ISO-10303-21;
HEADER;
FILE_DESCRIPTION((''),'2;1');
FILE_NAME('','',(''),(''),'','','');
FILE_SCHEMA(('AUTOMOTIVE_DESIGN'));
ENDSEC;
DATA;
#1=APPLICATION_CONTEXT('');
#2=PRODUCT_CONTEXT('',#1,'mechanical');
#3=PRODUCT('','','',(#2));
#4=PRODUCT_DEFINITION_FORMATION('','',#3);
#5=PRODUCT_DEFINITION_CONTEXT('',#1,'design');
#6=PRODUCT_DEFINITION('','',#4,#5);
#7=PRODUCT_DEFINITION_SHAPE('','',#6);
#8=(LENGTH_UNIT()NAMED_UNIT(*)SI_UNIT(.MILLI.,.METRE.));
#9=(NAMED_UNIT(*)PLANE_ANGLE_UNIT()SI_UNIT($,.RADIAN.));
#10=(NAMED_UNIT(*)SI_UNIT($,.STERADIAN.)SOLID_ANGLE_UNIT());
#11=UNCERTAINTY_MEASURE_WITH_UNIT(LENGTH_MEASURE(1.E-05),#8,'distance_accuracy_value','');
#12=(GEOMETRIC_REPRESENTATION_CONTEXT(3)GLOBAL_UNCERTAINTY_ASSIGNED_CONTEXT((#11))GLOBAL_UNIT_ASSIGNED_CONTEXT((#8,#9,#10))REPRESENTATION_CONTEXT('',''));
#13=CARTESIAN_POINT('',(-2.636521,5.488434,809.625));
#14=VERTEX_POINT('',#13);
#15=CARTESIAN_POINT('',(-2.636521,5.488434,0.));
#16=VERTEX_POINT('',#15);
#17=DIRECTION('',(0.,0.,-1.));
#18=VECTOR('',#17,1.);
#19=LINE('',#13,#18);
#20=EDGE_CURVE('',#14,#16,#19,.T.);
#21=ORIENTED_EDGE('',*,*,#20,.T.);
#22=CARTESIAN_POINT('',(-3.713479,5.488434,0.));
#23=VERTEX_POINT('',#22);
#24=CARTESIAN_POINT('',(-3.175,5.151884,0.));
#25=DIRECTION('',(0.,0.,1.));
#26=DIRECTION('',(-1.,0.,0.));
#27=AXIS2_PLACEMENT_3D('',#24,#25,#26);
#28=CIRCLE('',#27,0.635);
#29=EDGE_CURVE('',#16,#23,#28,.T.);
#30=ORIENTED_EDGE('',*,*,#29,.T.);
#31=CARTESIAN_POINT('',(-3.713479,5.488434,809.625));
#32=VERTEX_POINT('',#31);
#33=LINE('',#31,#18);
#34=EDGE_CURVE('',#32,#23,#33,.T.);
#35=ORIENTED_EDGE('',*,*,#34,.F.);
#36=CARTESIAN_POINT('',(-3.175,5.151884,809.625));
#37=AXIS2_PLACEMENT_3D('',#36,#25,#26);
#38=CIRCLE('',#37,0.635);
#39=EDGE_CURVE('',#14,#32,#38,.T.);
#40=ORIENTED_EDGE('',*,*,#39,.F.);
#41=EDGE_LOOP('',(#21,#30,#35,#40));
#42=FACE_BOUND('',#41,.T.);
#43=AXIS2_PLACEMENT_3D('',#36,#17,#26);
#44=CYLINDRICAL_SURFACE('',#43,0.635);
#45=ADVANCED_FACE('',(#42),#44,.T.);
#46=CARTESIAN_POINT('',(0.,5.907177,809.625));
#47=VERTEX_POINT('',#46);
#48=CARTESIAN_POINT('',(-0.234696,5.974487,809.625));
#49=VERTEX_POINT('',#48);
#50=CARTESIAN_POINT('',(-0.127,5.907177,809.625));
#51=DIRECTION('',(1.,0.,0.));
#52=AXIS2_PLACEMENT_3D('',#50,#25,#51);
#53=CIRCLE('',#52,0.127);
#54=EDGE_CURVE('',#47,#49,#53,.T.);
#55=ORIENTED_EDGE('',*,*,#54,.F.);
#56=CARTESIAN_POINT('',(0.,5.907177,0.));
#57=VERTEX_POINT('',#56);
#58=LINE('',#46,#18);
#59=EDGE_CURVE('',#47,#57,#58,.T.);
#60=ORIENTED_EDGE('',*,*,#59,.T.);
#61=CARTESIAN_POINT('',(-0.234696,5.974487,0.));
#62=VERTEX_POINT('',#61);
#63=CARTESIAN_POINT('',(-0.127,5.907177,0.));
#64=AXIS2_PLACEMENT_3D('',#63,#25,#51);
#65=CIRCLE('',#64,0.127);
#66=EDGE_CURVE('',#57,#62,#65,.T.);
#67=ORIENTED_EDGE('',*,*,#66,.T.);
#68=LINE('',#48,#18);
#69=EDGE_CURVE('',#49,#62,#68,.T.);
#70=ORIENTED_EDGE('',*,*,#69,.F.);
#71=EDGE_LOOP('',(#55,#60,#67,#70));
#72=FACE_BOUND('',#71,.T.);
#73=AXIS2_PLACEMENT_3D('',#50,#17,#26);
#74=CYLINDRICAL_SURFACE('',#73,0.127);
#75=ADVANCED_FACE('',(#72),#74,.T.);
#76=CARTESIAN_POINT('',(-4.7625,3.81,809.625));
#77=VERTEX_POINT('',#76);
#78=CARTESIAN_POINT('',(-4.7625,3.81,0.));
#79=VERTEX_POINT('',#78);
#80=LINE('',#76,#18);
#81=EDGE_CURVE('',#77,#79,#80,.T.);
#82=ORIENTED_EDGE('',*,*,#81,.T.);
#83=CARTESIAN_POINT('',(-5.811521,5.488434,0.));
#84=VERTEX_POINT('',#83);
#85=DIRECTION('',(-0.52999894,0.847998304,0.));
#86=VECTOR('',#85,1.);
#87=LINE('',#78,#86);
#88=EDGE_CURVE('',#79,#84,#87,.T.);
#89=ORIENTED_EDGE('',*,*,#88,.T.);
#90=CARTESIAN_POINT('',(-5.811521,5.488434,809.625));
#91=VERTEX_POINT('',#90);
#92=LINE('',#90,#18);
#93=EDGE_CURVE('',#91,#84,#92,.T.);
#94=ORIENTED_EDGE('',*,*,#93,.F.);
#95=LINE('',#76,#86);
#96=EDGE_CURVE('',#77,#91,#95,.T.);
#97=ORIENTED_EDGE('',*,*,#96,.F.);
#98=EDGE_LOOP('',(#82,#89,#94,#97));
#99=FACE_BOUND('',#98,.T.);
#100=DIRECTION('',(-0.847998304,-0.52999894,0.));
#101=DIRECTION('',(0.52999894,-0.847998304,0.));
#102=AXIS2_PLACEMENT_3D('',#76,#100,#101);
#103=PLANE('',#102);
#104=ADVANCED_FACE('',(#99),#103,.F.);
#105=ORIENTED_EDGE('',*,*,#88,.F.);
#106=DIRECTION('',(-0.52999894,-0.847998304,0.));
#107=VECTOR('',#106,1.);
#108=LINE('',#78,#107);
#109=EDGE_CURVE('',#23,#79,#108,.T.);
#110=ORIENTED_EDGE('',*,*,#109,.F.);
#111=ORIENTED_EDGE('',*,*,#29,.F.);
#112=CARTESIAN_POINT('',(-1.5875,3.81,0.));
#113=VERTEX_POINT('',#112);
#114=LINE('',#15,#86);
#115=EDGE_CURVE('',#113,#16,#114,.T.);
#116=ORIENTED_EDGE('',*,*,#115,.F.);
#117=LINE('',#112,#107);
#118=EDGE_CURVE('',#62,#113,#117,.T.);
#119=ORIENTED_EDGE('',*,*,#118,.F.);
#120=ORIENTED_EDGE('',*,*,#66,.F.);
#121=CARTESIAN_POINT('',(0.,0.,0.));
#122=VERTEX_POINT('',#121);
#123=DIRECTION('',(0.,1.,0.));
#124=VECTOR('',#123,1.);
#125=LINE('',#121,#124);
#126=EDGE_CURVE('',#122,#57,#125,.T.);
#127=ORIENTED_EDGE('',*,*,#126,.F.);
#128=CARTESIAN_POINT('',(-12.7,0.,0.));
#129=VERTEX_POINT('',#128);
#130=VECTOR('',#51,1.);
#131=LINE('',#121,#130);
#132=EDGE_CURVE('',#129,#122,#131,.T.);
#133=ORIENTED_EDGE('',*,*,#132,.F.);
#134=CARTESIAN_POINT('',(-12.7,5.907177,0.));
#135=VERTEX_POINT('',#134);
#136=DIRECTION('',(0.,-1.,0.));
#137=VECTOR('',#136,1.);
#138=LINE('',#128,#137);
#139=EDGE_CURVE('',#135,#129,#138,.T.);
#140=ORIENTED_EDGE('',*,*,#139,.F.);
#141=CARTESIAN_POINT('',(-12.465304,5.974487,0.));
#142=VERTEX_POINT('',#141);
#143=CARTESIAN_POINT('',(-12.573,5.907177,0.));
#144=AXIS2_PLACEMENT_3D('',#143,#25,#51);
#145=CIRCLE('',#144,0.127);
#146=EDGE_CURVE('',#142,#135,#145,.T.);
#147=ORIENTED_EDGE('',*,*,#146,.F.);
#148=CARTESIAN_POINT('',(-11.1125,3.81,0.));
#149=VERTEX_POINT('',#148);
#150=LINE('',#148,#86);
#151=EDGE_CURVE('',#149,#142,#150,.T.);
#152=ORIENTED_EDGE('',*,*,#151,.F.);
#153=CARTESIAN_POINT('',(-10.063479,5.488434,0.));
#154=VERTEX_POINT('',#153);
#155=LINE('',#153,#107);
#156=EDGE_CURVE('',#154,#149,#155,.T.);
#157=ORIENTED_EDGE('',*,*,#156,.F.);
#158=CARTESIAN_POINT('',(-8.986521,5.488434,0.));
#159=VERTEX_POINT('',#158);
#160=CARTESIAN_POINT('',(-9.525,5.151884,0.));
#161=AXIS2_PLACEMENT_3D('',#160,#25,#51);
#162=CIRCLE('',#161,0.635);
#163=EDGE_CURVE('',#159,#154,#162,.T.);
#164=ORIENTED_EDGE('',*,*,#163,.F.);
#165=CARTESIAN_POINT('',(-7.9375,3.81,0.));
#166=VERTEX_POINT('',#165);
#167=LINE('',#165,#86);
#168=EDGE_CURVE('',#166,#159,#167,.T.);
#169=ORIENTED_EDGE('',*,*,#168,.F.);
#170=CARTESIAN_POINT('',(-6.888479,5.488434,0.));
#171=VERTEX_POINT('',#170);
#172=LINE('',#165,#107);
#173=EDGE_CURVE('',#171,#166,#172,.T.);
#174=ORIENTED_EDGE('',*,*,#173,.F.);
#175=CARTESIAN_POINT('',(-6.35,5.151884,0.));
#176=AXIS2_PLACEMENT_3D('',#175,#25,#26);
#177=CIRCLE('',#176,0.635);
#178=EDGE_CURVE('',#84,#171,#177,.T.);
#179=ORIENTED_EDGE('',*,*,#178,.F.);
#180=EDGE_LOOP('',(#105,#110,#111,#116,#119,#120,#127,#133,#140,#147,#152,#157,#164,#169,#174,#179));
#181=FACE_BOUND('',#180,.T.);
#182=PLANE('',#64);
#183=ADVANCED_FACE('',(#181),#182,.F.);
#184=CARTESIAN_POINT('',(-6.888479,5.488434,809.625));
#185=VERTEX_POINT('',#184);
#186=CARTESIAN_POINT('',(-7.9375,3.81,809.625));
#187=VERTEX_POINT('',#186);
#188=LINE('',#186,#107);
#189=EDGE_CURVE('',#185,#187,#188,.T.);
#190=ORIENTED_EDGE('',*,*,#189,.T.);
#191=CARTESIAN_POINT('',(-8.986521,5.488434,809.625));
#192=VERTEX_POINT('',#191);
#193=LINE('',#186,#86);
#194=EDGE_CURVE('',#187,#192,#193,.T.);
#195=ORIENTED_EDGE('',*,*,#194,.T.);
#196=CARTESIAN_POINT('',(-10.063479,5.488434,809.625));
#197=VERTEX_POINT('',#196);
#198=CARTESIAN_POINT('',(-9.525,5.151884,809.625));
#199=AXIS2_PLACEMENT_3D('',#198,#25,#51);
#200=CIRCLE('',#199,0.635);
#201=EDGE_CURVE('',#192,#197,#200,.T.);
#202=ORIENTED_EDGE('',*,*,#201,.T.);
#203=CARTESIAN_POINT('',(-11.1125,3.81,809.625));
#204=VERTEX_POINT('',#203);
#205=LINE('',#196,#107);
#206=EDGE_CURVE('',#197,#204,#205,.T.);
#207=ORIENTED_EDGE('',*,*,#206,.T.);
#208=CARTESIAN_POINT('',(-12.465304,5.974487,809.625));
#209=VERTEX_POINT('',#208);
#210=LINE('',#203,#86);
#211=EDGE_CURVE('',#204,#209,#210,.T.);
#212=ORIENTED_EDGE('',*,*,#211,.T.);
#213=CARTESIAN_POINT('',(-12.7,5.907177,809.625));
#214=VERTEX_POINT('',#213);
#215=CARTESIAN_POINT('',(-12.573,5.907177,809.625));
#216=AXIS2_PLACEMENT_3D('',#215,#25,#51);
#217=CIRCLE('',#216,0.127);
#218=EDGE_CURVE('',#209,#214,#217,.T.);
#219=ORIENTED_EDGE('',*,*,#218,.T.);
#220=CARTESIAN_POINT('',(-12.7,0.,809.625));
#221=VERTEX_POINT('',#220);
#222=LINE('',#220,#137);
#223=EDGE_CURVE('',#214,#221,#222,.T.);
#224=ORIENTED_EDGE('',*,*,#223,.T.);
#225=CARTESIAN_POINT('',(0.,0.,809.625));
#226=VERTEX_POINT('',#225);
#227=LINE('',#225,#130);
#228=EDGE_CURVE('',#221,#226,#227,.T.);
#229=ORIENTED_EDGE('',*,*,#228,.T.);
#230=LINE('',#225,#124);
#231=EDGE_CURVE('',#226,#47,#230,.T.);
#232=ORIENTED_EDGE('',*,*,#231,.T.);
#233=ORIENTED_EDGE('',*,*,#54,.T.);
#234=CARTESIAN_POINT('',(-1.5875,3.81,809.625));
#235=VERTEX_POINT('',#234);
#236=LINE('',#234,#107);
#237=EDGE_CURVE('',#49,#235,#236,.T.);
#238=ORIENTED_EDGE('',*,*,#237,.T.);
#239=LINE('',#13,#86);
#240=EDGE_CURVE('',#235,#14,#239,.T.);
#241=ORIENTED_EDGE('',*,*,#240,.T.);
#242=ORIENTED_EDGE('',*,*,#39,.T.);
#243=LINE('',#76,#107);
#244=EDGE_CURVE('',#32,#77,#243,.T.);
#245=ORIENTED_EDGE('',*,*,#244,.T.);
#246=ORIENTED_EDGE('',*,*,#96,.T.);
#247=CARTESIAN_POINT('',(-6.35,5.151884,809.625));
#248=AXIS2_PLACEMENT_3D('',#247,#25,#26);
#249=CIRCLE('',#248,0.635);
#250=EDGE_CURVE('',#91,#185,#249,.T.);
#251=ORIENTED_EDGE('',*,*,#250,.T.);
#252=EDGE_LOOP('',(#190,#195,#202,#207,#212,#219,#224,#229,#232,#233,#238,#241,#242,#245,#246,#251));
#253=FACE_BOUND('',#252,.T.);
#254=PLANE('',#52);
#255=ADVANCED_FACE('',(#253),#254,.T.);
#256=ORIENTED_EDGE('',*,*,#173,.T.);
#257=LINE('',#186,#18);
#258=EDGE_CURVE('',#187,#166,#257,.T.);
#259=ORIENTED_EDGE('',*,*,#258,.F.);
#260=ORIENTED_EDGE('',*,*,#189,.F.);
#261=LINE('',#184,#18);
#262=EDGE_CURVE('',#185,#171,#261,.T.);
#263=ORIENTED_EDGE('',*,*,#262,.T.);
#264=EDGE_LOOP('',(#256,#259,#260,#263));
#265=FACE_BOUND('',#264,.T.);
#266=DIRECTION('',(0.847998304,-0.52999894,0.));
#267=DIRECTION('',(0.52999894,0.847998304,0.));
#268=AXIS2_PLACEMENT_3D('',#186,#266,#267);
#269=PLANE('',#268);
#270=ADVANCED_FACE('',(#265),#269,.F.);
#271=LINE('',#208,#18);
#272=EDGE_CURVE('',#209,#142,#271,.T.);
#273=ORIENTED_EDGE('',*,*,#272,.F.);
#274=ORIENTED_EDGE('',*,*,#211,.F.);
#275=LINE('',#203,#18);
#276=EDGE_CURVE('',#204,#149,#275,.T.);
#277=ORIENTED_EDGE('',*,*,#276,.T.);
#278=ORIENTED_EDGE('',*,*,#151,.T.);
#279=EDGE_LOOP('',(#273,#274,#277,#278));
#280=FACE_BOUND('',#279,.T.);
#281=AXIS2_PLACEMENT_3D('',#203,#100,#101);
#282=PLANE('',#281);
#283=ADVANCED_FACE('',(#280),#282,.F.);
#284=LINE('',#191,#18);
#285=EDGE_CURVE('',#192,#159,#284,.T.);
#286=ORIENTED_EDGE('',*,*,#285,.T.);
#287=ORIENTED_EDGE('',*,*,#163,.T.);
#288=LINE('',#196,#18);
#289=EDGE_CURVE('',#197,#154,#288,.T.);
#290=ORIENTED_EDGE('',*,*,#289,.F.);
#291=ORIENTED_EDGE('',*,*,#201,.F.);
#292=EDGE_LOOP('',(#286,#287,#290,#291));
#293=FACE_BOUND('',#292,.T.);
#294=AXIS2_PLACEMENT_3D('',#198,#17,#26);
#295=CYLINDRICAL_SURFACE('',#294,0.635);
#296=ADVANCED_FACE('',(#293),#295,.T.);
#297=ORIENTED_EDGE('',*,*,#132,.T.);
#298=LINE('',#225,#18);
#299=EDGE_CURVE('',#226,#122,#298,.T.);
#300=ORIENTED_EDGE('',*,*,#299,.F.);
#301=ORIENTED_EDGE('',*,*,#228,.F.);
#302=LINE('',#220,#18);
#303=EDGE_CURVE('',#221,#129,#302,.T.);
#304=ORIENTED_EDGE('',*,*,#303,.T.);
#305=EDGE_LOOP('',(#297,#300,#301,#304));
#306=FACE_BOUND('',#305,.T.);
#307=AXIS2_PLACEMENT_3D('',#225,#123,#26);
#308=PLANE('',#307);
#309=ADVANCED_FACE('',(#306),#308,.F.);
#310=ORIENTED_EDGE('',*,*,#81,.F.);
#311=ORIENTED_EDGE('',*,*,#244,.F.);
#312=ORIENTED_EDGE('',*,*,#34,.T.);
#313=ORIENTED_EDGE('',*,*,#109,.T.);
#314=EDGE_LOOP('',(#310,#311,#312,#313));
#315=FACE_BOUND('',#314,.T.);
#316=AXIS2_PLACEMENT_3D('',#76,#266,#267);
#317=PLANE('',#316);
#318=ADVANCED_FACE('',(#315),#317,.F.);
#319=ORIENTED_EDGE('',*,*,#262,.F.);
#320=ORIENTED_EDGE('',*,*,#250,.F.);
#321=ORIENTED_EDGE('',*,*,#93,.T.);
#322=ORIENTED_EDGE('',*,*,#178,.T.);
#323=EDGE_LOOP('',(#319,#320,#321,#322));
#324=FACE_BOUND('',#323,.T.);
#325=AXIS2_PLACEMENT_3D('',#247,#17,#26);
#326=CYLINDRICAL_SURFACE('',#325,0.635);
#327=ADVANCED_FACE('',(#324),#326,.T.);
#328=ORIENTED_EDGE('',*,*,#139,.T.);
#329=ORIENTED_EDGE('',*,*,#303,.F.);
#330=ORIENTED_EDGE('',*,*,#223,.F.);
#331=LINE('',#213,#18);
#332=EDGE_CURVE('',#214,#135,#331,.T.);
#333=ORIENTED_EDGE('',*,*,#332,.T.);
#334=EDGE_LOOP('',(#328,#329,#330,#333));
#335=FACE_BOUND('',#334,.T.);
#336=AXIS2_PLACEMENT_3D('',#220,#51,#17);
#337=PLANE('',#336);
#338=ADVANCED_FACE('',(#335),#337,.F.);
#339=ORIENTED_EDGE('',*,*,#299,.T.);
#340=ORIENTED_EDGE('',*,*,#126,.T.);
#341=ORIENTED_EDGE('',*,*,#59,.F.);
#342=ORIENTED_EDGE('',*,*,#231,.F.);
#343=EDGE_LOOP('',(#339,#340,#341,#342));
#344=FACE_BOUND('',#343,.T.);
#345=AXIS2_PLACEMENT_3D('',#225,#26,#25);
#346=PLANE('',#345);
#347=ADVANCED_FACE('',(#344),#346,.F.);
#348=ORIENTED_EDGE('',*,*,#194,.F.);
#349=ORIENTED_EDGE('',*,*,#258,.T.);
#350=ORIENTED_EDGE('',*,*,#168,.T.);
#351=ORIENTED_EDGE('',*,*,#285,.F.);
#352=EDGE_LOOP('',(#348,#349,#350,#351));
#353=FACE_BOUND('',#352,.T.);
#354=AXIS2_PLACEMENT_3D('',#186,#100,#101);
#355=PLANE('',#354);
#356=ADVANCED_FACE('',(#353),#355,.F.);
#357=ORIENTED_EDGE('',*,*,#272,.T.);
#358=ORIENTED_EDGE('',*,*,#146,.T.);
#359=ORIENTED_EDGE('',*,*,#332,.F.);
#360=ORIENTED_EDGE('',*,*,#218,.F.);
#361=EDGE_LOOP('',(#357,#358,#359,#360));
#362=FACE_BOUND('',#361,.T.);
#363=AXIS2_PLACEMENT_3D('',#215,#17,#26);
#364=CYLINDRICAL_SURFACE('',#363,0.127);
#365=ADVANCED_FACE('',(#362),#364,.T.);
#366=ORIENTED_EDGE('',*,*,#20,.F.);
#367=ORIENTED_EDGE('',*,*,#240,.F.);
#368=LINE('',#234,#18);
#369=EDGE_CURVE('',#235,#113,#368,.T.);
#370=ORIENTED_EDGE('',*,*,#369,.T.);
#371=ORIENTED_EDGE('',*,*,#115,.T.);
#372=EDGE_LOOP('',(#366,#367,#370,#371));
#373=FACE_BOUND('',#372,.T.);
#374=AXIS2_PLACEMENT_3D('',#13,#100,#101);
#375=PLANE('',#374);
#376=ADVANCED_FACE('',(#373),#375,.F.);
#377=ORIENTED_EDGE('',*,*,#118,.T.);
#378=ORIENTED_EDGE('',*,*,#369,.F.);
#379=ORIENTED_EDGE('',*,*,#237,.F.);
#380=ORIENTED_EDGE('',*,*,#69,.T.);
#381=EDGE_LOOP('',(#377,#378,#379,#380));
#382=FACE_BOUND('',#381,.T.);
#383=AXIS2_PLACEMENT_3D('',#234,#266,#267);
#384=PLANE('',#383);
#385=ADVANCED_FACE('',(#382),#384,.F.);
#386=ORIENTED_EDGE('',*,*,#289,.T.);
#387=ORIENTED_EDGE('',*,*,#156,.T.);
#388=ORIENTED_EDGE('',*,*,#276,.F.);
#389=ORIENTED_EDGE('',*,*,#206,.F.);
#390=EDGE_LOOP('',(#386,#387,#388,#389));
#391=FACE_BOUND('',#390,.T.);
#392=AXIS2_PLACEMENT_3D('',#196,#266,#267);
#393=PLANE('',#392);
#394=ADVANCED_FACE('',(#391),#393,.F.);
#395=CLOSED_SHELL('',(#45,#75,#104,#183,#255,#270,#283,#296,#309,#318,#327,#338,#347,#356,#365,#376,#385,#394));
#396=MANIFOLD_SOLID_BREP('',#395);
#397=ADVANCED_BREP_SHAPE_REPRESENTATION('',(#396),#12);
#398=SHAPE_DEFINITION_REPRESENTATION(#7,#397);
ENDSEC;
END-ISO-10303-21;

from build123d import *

# Parameters (mm, degrees)
BOSS_EXTRUDE1_DEPTH = 809.625


with BuildPart() as part:
    # Sketch1 → Boss-Extrude1 (new body)
    with BuildSketch(Plane.XY):
        with BuildLine():
            Line((0, 0), (-12.7, 0))
            Line((-12.7, 0), (-12.7, 5.907176879))
            ThreePointArc((-12.7, 5.907176879), (-12.608011679, 6.02925547), (-12.465304215, 5.974486745))
            Line((-12.465304215, 5.974486745), (-11.1125, 3.81))
            Line((-11.1125, 3.81), (-10.063478923, 5.488433723))
            ThreePointArc((-10.063478923, 5.488433723), (-9.525, 5.786884396), (-8.986521077, 5.488433723))
            Line((-8.986521077, 5.488433723), (-7.9375, 3.81))
            Line((-7.9375, 3.81), (-6.888478923, 5.488433723))
            ThreePointArc((-6.888478923, 5.488433723), (-6.35, 5.786884396), (-5.811521077, 5.488433723))
            Line((-5.811521077, 5.488433723), (-4.7625, 3.81))
            Line((-4.7625, 3.81), (-3.713478923, 5.488433723))
            ThreePointArc((-3.713478923, 5.488433723), (-3.175, 5.786884396), (-2.636521077, 5.488433723))
            Line((-2.636521077, 5.488433723), (-1.5875, 3.81))
            Line((-1.5875, 3.81), (-0.234695785, 5.974486745))
            ThreePointArc((-0.234695785, 5.974486745), (-0.091988321, 6.02925547), (0, 5.907176879))
            Line((0, 5.907176879), (0, 0))
        make_face()
    extrude(amount=BOSS_EXTRUDE1_DEPTH)


solid = part.part
